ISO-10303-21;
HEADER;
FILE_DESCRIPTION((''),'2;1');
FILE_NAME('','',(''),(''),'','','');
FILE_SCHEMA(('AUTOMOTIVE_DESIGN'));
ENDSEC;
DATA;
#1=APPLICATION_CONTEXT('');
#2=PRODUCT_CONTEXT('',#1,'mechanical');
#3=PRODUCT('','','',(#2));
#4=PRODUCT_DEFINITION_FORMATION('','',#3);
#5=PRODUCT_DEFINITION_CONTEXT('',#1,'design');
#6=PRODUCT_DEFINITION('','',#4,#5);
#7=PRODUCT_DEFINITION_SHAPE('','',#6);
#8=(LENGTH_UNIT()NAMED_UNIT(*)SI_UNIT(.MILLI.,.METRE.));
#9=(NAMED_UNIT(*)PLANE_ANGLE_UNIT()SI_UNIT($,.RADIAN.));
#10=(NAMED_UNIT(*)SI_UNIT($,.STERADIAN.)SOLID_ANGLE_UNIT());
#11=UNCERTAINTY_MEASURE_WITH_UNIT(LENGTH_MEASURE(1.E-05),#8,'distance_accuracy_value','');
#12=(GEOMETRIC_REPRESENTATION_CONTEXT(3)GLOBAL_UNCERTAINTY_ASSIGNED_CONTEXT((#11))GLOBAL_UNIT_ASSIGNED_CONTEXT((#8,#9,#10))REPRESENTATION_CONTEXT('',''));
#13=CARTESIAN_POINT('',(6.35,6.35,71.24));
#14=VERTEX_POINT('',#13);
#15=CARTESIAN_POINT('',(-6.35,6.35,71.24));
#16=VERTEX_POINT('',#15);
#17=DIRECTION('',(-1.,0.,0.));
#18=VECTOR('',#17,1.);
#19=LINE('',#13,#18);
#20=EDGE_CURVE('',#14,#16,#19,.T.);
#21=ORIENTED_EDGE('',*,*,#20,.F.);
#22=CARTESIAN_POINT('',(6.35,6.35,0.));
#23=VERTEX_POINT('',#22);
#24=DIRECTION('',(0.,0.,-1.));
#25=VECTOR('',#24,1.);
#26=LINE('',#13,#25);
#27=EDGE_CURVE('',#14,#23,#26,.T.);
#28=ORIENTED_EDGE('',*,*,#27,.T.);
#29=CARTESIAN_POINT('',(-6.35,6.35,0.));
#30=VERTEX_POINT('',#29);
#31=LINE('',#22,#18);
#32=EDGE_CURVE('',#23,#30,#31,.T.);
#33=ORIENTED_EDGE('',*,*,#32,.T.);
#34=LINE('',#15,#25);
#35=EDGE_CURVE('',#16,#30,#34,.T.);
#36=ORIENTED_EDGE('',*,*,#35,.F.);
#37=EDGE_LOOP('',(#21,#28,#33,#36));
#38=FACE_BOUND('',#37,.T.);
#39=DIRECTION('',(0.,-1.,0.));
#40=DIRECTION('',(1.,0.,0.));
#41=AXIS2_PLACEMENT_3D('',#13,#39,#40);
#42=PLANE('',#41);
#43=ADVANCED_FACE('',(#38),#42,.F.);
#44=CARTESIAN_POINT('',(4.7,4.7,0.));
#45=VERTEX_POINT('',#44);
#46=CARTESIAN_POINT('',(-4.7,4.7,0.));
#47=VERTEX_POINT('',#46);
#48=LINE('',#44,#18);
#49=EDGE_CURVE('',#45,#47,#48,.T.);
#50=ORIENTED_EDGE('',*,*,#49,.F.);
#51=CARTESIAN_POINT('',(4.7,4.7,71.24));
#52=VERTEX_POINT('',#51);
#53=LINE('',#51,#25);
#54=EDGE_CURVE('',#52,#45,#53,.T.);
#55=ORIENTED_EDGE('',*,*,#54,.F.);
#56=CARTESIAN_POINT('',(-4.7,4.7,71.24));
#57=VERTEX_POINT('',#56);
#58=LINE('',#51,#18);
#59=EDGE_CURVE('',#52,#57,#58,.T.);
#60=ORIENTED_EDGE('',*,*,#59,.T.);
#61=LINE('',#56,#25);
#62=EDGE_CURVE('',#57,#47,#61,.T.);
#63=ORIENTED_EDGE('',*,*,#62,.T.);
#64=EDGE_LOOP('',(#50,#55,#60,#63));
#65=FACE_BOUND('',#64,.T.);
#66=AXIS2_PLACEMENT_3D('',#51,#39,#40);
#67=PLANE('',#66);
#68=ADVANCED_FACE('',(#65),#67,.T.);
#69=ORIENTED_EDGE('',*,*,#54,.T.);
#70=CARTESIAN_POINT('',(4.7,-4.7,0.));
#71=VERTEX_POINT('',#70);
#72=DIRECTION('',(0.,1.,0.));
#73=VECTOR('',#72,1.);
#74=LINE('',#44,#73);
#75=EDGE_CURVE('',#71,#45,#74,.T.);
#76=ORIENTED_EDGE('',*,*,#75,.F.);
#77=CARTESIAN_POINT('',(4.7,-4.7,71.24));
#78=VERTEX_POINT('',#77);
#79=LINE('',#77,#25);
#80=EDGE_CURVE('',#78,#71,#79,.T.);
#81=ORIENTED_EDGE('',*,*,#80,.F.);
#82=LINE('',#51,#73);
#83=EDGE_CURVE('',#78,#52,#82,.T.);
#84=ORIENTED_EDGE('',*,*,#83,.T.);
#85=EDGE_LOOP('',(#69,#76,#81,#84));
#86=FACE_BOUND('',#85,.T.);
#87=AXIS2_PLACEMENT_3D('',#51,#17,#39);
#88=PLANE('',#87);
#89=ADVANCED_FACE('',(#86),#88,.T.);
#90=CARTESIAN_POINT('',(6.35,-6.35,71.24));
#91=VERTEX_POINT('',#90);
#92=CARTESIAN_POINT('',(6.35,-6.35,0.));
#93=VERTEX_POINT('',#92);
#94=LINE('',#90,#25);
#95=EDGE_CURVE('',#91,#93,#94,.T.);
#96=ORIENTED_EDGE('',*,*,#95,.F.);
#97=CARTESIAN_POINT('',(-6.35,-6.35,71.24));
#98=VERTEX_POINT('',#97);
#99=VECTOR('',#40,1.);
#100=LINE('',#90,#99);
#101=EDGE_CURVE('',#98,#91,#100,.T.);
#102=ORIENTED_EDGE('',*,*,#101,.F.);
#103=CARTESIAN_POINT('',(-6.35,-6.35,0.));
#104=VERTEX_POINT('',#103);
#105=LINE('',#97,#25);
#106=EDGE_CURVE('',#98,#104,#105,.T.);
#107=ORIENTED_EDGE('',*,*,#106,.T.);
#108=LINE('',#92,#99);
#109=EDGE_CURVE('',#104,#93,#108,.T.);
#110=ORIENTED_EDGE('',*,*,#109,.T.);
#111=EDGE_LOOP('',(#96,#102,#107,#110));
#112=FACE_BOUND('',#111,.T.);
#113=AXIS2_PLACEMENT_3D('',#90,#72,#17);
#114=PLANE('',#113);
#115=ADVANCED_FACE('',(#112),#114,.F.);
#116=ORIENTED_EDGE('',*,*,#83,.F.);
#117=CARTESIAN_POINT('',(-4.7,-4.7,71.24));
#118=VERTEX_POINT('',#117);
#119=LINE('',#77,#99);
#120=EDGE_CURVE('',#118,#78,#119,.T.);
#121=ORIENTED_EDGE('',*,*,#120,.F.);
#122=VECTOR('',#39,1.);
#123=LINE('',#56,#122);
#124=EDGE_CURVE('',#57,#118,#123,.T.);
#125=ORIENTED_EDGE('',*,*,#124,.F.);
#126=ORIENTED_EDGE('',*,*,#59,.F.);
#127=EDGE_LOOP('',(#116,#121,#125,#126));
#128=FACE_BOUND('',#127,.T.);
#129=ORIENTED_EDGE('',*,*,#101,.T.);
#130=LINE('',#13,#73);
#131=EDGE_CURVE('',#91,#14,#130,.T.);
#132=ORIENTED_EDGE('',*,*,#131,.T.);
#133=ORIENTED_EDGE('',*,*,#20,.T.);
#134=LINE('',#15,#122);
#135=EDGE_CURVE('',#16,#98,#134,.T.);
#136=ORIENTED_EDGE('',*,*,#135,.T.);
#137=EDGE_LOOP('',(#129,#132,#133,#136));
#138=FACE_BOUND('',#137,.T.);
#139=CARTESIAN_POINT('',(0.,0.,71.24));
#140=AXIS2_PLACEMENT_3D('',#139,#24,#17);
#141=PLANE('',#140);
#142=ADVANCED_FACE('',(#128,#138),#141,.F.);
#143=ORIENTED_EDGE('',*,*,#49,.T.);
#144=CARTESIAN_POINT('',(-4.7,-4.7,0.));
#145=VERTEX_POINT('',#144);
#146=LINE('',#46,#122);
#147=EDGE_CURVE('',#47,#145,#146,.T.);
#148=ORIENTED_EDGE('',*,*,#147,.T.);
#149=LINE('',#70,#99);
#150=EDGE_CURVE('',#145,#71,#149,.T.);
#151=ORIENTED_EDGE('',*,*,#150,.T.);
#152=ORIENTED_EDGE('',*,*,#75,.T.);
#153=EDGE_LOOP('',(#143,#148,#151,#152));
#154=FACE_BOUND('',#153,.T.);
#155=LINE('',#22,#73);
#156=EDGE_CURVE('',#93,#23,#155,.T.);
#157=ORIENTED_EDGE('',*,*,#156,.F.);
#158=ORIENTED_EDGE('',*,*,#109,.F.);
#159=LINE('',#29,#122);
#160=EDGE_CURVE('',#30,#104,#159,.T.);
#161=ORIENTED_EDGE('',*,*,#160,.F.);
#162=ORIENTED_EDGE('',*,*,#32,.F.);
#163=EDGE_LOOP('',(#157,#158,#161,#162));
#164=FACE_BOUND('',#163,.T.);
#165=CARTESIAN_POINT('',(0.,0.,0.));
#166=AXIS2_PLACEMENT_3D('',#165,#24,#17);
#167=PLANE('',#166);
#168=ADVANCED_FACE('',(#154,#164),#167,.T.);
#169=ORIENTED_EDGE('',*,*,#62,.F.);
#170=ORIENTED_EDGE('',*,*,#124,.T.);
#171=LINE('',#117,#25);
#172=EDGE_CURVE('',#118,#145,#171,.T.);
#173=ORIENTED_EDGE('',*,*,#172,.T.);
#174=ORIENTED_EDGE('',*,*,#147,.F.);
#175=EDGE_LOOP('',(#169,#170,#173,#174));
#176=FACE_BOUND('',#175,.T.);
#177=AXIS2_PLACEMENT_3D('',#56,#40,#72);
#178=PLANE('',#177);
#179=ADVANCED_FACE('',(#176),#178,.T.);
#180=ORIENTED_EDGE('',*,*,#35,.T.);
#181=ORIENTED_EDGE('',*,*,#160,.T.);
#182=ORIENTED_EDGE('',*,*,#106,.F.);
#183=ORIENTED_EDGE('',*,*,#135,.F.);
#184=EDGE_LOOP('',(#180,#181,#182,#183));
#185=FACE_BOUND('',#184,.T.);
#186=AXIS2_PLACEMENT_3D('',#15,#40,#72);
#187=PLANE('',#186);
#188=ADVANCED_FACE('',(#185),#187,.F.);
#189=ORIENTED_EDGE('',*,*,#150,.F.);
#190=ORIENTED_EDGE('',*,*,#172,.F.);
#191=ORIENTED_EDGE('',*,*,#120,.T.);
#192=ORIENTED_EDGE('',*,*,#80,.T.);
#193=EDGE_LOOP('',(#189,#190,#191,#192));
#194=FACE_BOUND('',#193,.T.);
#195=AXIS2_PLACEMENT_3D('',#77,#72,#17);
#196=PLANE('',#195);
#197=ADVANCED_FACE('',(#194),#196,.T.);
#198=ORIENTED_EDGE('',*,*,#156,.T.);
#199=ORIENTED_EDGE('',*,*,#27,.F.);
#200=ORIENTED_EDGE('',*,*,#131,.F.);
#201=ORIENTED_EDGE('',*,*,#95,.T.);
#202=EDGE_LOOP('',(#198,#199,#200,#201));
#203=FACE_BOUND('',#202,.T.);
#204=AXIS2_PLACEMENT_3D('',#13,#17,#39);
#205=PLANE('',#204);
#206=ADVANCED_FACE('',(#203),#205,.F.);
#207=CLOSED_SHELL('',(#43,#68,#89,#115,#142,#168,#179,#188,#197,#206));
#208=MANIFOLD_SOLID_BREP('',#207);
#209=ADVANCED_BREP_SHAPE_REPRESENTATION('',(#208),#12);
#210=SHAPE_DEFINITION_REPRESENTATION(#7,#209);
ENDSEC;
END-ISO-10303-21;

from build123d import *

# Parameters (mm, degrees)
SKETCH1_W           = 12.7
SKETCH1_H           = 12.7
SKETCH1_W_2         = 9.4
SKETCH1_H_2         = 9.4
BOSS_EXTRUDE1_DEPTH = 71.24


with BuildPart() as part:
    # Sketch1 → Boss-Extrude1 (new body)
    with BuildSketch(Plane.XY):
        Rectangle(SKETCH1_W, SKETCH1_H)
        Rectangle(SKETCH1_W_2, SKETCH1_H_2, mode=Mode.SUBTRACT)
    extrude(amount=BOSS_EXTRUDE1_DEPTH)


solid = part.part
